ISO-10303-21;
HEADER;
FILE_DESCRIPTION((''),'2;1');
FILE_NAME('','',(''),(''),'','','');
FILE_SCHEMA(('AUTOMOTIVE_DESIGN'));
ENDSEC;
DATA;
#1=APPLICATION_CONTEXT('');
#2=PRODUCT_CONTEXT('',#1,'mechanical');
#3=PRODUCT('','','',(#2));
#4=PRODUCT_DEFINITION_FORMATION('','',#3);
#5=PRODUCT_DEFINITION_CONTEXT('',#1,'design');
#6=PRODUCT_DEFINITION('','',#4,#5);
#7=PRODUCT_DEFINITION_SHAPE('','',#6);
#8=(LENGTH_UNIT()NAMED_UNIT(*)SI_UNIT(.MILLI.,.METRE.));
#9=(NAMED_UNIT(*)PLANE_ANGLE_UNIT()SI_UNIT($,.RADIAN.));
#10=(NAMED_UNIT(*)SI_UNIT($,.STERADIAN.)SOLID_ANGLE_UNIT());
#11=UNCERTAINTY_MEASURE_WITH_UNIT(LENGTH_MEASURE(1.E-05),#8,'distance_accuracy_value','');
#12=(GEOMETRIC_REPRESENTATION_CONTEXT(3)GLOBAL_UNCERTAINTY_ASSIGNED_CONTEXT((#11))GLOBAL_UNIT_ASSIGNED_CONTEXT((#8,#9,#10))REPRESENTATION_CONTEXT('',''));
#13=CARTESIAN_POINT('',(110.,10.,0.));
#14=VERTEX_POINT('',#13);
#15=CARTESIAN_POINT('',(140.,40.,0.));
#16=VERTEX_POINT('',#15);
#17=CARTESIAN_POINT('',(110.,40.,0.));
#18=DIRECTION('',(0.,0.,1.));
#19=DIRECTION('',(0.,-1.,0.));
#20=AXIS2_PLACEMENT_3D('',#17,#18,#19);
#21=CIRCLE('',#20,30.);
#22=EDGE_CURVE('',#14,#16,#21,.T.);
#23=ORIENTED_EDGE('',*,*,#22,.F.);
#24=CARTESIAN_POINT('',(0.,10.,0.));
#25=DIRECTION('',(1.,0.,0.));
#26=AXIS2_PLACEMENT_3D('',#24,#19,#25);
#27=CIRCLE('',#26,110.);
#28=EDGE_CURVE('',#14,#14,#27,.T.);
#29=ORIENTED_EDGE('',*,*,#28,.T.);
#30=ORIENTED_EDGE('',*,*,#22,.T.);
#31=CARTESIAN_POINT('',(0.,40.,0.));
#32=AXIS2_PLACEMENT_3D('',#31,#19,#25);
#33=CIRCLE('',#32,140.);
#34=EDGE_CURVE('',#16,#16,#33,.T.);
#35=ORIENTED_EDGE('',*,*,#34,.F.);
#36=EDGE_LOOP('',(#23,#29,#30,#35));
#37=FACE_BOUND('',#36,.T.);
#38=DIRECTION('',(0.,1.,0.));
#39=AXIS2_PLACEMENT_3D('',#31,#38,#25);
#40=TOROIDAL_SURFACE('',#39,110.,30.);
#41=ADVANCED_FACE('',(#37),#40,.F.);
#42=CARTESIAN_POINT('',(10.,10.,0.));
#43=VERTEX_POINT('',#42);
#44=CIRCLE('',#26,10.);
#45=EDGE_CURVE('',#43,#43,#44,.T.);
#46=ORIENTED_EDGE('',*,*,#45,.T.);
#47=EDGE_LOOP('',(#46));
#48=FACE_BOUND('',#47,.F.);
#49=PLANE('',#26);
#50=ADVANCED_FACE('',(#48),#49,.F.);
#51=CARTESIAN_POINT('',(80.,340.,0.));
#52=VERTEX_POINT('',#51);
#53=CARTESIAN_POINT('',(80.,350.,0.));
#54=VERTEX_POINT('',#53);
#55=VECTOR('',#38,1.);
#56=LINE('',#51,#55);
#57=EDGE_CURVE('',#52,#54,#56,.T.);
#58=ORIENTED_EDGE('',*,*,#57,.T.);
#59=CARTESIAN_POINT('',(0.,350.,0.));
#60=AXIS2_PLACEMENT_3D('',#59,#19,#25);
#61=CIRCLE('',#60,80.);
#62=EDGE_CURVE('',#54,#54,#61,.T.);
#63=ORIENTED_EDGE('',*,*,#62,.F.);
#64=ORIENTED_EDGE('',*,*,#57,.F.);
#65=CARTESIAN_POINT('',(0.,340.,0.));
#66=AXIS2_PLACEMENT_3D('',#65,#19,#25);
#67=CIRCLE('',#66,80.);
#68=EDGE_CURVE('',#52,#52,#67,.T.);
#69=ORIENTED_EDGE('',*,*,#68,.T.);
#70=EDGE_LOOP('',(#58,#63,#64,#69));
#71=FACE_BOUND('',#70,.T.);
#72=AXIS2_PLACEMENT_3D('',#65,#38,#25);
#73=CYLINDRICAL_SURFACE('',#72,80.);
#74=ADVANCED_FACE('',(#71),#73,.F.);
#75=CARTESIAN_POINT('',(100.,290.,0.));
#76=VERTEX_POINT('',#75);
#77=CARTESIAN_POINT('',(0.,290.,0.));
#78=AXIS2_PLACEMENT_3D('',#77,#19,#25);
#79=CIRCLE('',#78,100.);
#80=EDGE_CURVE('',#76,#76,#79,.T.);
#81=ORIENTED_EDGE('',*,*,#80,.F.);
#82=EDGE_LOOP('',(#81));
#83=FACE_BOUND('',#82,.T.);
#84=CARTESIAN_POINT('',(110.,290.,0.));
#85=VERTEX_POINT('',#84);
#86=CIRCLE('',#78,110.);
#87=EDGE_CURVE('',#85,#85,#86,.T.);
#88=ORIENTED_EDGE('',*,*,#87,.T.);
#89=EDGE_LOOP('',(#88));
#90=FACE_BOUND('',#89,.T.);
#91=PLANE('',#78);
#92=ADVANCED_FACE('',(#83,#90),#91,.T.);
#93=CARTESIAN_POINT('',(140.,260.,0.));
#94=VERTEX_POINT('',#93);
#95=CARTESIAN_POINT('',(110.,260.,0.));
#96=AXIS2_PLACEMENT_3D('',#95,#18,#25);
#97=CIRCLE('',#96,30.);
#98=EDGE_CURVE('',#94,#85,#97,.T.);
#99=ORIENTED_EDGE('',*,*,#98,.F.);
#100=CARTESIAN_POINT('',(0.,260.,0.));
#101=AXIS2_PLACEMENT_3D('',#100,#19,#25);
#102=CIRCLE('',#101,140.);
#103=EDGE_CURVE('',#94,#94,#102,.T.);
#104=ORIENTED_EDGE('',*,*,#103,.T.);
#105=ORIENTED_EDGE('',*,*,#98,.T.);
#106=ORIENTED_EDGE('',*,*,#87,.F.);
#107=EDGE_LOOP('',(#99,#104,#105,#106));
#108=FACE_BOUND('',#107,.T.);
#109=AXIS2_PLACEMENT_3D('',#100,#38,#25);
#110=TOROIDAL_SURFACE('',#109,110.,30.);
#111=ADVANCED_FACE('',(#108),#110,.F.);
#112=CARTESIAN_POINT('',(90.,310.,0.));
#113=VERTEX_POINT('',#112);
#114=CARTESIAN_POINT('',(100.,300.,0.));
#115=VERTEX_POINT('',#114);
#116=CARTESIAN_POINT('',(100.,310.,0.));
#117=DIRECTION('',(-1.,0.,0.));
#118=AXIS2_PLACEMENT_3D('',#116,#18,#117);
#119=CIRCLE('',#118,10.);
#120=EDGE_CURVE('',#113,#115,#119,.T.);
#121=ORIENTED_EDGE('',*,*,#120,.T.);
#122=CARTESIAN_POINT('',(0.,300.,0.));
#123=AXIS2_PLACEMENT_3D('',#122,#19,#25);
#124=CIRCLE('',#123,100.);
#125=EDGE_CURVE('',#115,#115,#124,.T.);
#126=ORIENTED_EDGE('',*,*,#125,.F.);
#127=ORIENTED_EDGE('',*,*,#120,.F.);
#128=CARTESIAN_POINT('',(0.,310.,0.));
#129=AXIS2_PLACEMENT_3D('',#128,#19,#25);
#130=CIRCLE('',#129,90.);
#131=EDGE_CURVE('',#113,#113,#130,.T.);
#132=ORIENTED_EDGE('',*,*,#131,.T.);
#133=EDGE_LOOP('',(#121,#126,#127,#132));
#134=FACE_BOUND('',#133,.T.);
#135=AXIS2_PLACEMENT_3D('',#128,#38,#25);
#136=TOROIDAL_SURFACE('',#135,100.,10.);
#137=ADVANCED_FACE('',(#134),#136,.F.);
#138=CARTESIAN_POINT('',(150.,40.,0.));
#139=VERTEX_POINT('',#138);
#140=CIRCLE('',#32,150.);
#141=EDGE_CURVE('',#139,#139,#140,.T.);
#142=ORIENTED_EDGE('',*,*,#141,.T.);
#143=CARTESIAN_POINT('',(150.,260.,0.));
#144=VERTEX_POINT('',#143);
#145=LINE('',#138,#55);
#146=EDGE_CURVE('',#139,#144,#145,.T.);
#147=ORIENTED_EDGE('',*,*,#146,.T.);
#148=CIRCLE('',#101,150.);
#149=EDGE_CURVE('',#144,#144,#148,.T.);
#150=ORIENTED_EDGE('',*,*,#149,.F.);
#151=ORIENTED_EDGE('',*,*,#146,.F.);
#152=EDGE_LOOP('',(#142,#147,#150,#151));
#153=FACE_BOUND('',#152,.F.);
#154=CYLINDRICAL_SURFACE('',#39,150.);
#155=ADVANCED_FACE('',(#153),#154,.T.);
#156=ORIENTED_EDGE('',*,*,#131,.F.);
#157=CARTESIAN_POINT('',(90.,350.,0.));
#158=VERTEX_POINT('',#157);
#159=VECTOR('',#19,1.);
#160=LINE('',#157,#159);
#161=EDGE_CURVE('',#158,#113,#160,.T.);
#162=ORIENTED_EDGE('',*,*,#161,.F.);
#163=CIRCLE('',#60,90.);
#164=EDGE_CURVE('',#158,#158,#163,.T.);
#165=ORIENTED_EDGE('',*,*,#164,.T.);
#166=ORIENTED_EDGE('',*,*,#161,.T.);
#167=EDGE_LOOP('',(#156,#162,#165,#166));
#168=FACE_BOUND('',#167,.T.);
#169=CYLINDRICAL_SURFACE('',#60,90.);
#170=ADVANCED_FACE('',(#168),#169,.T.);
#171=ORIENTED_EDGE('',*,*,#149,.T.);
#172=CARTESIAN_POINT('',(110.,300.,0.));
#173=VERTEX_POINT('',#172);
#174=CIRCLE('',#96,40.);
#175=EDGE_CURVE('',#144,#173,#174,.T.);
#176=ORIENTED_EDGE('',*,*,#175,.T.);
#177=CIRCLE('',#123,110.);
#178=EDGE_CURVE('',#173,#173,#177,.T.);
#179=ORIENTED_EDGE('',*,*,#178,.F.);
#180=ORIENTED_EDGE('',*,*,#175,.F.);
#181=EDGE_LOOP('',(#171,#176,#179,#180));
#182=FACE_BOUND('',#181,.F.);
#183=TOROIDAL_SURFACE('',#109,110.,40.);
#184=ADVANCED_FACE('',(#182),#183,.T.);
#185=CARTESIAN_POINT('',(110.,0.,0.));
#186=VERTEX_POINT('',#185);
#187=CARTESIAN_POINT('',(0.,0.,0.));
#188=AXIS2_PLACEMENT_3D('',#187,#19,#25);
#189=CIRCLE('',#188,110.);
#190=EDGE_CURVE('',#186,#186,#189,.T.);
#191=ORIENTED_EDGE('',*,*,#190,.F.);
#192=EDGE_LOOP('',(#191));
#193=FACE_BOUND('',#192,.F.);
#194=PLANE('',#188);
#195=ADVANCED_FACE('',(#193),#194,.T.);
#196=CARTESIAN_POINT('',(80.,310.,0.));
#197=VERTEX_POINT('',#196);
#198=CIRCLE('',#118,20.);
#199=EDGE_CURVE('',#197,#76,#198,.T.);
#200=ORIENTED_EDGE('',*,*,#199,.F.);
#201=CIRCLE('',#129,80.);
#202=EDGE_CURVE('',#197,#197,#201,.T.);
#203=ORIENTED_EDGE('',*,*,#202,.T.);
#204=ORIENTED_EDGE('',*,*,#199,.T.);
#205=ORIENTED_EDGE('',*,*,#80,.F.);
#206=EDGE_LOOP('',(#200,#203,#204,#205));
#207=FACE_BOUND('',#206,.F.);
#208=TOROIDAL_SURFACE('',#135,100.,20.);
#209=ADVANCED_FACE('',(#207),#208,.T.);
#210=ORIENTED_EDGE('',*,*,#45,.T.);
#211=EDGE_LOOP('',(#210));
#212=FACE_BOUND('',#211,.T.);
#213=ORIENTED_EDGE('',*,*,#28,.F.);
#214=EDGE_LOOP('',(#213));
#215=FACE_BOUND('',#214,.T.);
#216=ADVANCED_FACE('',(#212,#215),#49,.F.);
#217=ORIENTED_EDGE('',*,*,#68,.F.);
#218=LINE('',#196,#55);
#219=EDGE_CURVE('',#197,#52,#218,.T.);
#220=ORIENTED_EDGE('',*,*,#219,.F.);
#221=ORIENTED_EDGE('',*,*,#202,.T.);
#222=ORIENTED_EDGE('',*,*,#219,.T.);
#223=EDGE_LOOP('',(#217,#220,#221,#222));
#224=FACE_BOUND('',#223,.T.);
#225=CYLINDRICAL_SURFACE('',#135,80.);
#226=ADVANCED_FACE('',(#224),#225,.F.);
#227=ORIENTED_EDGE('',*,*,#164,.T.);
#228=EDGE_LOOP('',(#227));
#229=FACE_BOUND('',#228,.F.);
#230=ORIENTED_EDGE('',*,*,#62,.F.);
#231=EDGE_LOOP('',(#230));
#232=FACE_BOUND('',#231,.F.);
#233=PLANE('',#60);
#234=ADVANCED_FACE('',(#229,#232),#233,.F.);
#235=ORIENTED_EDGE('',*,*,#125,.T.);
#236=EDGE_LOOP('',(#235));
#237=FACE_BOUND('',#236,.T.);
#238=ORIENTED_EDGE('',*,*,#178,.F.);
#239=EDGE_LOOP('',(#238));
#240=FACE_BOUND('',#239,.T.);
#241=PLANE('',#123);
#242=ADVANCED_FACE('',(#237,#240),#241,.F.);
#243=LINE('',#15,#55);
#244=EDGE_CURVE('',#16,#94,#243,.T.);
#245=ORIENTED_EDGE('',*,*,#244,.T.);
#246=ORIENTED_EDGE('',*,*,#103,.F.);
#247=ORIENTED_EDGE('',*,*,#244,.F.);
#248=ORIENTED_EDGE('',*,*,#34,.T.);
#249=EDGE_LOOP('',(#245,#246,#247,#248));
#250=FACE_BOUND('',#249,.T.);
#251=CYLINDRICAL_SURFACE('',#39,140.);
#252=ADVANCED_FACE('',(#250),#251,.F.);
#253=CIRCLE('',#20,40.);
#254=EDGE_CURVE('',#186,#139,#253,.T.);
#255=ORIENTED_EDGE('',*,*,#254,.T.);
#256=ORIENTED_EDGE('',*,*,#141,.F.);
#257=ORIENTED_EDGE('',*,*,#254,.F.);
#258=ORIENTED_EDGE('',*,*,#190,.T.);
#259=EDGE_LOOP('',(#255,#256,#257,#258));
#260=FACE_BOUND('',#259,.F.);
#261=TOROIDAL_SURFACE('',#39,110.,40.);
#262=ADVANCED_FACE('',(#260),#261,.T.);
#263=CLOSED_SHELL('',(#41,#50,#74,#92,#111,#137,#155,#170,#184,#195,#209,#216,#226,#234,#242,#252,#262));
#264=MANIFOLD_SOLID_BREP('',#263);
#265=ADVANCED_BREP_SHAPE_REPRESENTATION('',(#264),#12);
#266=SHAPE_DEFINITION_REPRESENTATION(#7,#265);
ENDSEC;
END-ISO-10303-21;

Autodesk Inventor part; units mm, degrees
ref_plane "YZ Plane" through (0, 0, 0) normal (1, 0, 0) x (0, 1, 0)
ref_plane "XZ Plane" through (0, 0, 0) normal (0, 1, 0) x (-1, 0, 0)
ref_plane "XY Plane" through (0, 0, 0) normal (0, 0, 1) x (1, 0, 0)
sketch "Szkic1" plane through (0, 0, 0) normal (0, 0, 1) x (1, 0, 0)
  line L0 (0, 0) -> (110, 0)
  line L1 (150, 40) -> (150, 260)
  line L2 (150, 350) -> (0, 350)
  line L3 (0, 350) -> (0, 0)
  arc A0 (110, 0) -> (150, 40) centre (110, 40) ccw
  line L4 (0, 350) -> (90, 350)
  line L5 (90, 350) -> (90, 310)
  line L6 (0, 300) -> (0, 350)
  line L7 (100, 300) -> (110, 300)
  arc A1 (150, 260) -> (110, 300) centre (110, 260) ccw
  arc A2 (90, 310) -> (100, 300) centre (100, 310) ccw
  line L8 (80, 310) -> (80, 340)
  line L9 (80, 340) -> (10, 340)
  line L10 (10, 340) -> (10, 10)
  line L11 (10, 10) -> (110, 10)
  arc A3 (110, 10) -> (140, 40) centre (110, 40) ccw
  line L12 (140, 40) -> (140, 260)
  arc A4 (140, 260) -> (110, 290) centre (110, 260) ccw
  line L13 (110, 290) -> (100, 290)
  arc A5 (80, 310) -> (100, 290) centre (100, 310) ccw
  line L14 (80, 340) -> (80, 350)
  line L15 (10, 10) -> (0, 10)
  point P0 (150, 0)
  point P1 (90, 300)
  point P2 (150, 300)
  dimension "d0" = 150
  dimension "d1" = 350
  dimension "d2" = 40
  dimension "d3" = 90
  dimension "d4" = 50
  dimension "d5" = 40
  dimension "d6" = 10
  dimension "d7" = 10
revolve "Obrót1" add sketch "Szkic1" angle 360 about axis through (0, 350, 0) along (0, -1, 0) contours L3 L15 L11 A3 L12 A4 L13 A5 L8 L14 L2 L5 A2 L7 A1 L1 A0 L0
properties part number "garnek" material "Stal nierdzewna, szczotkowana"
